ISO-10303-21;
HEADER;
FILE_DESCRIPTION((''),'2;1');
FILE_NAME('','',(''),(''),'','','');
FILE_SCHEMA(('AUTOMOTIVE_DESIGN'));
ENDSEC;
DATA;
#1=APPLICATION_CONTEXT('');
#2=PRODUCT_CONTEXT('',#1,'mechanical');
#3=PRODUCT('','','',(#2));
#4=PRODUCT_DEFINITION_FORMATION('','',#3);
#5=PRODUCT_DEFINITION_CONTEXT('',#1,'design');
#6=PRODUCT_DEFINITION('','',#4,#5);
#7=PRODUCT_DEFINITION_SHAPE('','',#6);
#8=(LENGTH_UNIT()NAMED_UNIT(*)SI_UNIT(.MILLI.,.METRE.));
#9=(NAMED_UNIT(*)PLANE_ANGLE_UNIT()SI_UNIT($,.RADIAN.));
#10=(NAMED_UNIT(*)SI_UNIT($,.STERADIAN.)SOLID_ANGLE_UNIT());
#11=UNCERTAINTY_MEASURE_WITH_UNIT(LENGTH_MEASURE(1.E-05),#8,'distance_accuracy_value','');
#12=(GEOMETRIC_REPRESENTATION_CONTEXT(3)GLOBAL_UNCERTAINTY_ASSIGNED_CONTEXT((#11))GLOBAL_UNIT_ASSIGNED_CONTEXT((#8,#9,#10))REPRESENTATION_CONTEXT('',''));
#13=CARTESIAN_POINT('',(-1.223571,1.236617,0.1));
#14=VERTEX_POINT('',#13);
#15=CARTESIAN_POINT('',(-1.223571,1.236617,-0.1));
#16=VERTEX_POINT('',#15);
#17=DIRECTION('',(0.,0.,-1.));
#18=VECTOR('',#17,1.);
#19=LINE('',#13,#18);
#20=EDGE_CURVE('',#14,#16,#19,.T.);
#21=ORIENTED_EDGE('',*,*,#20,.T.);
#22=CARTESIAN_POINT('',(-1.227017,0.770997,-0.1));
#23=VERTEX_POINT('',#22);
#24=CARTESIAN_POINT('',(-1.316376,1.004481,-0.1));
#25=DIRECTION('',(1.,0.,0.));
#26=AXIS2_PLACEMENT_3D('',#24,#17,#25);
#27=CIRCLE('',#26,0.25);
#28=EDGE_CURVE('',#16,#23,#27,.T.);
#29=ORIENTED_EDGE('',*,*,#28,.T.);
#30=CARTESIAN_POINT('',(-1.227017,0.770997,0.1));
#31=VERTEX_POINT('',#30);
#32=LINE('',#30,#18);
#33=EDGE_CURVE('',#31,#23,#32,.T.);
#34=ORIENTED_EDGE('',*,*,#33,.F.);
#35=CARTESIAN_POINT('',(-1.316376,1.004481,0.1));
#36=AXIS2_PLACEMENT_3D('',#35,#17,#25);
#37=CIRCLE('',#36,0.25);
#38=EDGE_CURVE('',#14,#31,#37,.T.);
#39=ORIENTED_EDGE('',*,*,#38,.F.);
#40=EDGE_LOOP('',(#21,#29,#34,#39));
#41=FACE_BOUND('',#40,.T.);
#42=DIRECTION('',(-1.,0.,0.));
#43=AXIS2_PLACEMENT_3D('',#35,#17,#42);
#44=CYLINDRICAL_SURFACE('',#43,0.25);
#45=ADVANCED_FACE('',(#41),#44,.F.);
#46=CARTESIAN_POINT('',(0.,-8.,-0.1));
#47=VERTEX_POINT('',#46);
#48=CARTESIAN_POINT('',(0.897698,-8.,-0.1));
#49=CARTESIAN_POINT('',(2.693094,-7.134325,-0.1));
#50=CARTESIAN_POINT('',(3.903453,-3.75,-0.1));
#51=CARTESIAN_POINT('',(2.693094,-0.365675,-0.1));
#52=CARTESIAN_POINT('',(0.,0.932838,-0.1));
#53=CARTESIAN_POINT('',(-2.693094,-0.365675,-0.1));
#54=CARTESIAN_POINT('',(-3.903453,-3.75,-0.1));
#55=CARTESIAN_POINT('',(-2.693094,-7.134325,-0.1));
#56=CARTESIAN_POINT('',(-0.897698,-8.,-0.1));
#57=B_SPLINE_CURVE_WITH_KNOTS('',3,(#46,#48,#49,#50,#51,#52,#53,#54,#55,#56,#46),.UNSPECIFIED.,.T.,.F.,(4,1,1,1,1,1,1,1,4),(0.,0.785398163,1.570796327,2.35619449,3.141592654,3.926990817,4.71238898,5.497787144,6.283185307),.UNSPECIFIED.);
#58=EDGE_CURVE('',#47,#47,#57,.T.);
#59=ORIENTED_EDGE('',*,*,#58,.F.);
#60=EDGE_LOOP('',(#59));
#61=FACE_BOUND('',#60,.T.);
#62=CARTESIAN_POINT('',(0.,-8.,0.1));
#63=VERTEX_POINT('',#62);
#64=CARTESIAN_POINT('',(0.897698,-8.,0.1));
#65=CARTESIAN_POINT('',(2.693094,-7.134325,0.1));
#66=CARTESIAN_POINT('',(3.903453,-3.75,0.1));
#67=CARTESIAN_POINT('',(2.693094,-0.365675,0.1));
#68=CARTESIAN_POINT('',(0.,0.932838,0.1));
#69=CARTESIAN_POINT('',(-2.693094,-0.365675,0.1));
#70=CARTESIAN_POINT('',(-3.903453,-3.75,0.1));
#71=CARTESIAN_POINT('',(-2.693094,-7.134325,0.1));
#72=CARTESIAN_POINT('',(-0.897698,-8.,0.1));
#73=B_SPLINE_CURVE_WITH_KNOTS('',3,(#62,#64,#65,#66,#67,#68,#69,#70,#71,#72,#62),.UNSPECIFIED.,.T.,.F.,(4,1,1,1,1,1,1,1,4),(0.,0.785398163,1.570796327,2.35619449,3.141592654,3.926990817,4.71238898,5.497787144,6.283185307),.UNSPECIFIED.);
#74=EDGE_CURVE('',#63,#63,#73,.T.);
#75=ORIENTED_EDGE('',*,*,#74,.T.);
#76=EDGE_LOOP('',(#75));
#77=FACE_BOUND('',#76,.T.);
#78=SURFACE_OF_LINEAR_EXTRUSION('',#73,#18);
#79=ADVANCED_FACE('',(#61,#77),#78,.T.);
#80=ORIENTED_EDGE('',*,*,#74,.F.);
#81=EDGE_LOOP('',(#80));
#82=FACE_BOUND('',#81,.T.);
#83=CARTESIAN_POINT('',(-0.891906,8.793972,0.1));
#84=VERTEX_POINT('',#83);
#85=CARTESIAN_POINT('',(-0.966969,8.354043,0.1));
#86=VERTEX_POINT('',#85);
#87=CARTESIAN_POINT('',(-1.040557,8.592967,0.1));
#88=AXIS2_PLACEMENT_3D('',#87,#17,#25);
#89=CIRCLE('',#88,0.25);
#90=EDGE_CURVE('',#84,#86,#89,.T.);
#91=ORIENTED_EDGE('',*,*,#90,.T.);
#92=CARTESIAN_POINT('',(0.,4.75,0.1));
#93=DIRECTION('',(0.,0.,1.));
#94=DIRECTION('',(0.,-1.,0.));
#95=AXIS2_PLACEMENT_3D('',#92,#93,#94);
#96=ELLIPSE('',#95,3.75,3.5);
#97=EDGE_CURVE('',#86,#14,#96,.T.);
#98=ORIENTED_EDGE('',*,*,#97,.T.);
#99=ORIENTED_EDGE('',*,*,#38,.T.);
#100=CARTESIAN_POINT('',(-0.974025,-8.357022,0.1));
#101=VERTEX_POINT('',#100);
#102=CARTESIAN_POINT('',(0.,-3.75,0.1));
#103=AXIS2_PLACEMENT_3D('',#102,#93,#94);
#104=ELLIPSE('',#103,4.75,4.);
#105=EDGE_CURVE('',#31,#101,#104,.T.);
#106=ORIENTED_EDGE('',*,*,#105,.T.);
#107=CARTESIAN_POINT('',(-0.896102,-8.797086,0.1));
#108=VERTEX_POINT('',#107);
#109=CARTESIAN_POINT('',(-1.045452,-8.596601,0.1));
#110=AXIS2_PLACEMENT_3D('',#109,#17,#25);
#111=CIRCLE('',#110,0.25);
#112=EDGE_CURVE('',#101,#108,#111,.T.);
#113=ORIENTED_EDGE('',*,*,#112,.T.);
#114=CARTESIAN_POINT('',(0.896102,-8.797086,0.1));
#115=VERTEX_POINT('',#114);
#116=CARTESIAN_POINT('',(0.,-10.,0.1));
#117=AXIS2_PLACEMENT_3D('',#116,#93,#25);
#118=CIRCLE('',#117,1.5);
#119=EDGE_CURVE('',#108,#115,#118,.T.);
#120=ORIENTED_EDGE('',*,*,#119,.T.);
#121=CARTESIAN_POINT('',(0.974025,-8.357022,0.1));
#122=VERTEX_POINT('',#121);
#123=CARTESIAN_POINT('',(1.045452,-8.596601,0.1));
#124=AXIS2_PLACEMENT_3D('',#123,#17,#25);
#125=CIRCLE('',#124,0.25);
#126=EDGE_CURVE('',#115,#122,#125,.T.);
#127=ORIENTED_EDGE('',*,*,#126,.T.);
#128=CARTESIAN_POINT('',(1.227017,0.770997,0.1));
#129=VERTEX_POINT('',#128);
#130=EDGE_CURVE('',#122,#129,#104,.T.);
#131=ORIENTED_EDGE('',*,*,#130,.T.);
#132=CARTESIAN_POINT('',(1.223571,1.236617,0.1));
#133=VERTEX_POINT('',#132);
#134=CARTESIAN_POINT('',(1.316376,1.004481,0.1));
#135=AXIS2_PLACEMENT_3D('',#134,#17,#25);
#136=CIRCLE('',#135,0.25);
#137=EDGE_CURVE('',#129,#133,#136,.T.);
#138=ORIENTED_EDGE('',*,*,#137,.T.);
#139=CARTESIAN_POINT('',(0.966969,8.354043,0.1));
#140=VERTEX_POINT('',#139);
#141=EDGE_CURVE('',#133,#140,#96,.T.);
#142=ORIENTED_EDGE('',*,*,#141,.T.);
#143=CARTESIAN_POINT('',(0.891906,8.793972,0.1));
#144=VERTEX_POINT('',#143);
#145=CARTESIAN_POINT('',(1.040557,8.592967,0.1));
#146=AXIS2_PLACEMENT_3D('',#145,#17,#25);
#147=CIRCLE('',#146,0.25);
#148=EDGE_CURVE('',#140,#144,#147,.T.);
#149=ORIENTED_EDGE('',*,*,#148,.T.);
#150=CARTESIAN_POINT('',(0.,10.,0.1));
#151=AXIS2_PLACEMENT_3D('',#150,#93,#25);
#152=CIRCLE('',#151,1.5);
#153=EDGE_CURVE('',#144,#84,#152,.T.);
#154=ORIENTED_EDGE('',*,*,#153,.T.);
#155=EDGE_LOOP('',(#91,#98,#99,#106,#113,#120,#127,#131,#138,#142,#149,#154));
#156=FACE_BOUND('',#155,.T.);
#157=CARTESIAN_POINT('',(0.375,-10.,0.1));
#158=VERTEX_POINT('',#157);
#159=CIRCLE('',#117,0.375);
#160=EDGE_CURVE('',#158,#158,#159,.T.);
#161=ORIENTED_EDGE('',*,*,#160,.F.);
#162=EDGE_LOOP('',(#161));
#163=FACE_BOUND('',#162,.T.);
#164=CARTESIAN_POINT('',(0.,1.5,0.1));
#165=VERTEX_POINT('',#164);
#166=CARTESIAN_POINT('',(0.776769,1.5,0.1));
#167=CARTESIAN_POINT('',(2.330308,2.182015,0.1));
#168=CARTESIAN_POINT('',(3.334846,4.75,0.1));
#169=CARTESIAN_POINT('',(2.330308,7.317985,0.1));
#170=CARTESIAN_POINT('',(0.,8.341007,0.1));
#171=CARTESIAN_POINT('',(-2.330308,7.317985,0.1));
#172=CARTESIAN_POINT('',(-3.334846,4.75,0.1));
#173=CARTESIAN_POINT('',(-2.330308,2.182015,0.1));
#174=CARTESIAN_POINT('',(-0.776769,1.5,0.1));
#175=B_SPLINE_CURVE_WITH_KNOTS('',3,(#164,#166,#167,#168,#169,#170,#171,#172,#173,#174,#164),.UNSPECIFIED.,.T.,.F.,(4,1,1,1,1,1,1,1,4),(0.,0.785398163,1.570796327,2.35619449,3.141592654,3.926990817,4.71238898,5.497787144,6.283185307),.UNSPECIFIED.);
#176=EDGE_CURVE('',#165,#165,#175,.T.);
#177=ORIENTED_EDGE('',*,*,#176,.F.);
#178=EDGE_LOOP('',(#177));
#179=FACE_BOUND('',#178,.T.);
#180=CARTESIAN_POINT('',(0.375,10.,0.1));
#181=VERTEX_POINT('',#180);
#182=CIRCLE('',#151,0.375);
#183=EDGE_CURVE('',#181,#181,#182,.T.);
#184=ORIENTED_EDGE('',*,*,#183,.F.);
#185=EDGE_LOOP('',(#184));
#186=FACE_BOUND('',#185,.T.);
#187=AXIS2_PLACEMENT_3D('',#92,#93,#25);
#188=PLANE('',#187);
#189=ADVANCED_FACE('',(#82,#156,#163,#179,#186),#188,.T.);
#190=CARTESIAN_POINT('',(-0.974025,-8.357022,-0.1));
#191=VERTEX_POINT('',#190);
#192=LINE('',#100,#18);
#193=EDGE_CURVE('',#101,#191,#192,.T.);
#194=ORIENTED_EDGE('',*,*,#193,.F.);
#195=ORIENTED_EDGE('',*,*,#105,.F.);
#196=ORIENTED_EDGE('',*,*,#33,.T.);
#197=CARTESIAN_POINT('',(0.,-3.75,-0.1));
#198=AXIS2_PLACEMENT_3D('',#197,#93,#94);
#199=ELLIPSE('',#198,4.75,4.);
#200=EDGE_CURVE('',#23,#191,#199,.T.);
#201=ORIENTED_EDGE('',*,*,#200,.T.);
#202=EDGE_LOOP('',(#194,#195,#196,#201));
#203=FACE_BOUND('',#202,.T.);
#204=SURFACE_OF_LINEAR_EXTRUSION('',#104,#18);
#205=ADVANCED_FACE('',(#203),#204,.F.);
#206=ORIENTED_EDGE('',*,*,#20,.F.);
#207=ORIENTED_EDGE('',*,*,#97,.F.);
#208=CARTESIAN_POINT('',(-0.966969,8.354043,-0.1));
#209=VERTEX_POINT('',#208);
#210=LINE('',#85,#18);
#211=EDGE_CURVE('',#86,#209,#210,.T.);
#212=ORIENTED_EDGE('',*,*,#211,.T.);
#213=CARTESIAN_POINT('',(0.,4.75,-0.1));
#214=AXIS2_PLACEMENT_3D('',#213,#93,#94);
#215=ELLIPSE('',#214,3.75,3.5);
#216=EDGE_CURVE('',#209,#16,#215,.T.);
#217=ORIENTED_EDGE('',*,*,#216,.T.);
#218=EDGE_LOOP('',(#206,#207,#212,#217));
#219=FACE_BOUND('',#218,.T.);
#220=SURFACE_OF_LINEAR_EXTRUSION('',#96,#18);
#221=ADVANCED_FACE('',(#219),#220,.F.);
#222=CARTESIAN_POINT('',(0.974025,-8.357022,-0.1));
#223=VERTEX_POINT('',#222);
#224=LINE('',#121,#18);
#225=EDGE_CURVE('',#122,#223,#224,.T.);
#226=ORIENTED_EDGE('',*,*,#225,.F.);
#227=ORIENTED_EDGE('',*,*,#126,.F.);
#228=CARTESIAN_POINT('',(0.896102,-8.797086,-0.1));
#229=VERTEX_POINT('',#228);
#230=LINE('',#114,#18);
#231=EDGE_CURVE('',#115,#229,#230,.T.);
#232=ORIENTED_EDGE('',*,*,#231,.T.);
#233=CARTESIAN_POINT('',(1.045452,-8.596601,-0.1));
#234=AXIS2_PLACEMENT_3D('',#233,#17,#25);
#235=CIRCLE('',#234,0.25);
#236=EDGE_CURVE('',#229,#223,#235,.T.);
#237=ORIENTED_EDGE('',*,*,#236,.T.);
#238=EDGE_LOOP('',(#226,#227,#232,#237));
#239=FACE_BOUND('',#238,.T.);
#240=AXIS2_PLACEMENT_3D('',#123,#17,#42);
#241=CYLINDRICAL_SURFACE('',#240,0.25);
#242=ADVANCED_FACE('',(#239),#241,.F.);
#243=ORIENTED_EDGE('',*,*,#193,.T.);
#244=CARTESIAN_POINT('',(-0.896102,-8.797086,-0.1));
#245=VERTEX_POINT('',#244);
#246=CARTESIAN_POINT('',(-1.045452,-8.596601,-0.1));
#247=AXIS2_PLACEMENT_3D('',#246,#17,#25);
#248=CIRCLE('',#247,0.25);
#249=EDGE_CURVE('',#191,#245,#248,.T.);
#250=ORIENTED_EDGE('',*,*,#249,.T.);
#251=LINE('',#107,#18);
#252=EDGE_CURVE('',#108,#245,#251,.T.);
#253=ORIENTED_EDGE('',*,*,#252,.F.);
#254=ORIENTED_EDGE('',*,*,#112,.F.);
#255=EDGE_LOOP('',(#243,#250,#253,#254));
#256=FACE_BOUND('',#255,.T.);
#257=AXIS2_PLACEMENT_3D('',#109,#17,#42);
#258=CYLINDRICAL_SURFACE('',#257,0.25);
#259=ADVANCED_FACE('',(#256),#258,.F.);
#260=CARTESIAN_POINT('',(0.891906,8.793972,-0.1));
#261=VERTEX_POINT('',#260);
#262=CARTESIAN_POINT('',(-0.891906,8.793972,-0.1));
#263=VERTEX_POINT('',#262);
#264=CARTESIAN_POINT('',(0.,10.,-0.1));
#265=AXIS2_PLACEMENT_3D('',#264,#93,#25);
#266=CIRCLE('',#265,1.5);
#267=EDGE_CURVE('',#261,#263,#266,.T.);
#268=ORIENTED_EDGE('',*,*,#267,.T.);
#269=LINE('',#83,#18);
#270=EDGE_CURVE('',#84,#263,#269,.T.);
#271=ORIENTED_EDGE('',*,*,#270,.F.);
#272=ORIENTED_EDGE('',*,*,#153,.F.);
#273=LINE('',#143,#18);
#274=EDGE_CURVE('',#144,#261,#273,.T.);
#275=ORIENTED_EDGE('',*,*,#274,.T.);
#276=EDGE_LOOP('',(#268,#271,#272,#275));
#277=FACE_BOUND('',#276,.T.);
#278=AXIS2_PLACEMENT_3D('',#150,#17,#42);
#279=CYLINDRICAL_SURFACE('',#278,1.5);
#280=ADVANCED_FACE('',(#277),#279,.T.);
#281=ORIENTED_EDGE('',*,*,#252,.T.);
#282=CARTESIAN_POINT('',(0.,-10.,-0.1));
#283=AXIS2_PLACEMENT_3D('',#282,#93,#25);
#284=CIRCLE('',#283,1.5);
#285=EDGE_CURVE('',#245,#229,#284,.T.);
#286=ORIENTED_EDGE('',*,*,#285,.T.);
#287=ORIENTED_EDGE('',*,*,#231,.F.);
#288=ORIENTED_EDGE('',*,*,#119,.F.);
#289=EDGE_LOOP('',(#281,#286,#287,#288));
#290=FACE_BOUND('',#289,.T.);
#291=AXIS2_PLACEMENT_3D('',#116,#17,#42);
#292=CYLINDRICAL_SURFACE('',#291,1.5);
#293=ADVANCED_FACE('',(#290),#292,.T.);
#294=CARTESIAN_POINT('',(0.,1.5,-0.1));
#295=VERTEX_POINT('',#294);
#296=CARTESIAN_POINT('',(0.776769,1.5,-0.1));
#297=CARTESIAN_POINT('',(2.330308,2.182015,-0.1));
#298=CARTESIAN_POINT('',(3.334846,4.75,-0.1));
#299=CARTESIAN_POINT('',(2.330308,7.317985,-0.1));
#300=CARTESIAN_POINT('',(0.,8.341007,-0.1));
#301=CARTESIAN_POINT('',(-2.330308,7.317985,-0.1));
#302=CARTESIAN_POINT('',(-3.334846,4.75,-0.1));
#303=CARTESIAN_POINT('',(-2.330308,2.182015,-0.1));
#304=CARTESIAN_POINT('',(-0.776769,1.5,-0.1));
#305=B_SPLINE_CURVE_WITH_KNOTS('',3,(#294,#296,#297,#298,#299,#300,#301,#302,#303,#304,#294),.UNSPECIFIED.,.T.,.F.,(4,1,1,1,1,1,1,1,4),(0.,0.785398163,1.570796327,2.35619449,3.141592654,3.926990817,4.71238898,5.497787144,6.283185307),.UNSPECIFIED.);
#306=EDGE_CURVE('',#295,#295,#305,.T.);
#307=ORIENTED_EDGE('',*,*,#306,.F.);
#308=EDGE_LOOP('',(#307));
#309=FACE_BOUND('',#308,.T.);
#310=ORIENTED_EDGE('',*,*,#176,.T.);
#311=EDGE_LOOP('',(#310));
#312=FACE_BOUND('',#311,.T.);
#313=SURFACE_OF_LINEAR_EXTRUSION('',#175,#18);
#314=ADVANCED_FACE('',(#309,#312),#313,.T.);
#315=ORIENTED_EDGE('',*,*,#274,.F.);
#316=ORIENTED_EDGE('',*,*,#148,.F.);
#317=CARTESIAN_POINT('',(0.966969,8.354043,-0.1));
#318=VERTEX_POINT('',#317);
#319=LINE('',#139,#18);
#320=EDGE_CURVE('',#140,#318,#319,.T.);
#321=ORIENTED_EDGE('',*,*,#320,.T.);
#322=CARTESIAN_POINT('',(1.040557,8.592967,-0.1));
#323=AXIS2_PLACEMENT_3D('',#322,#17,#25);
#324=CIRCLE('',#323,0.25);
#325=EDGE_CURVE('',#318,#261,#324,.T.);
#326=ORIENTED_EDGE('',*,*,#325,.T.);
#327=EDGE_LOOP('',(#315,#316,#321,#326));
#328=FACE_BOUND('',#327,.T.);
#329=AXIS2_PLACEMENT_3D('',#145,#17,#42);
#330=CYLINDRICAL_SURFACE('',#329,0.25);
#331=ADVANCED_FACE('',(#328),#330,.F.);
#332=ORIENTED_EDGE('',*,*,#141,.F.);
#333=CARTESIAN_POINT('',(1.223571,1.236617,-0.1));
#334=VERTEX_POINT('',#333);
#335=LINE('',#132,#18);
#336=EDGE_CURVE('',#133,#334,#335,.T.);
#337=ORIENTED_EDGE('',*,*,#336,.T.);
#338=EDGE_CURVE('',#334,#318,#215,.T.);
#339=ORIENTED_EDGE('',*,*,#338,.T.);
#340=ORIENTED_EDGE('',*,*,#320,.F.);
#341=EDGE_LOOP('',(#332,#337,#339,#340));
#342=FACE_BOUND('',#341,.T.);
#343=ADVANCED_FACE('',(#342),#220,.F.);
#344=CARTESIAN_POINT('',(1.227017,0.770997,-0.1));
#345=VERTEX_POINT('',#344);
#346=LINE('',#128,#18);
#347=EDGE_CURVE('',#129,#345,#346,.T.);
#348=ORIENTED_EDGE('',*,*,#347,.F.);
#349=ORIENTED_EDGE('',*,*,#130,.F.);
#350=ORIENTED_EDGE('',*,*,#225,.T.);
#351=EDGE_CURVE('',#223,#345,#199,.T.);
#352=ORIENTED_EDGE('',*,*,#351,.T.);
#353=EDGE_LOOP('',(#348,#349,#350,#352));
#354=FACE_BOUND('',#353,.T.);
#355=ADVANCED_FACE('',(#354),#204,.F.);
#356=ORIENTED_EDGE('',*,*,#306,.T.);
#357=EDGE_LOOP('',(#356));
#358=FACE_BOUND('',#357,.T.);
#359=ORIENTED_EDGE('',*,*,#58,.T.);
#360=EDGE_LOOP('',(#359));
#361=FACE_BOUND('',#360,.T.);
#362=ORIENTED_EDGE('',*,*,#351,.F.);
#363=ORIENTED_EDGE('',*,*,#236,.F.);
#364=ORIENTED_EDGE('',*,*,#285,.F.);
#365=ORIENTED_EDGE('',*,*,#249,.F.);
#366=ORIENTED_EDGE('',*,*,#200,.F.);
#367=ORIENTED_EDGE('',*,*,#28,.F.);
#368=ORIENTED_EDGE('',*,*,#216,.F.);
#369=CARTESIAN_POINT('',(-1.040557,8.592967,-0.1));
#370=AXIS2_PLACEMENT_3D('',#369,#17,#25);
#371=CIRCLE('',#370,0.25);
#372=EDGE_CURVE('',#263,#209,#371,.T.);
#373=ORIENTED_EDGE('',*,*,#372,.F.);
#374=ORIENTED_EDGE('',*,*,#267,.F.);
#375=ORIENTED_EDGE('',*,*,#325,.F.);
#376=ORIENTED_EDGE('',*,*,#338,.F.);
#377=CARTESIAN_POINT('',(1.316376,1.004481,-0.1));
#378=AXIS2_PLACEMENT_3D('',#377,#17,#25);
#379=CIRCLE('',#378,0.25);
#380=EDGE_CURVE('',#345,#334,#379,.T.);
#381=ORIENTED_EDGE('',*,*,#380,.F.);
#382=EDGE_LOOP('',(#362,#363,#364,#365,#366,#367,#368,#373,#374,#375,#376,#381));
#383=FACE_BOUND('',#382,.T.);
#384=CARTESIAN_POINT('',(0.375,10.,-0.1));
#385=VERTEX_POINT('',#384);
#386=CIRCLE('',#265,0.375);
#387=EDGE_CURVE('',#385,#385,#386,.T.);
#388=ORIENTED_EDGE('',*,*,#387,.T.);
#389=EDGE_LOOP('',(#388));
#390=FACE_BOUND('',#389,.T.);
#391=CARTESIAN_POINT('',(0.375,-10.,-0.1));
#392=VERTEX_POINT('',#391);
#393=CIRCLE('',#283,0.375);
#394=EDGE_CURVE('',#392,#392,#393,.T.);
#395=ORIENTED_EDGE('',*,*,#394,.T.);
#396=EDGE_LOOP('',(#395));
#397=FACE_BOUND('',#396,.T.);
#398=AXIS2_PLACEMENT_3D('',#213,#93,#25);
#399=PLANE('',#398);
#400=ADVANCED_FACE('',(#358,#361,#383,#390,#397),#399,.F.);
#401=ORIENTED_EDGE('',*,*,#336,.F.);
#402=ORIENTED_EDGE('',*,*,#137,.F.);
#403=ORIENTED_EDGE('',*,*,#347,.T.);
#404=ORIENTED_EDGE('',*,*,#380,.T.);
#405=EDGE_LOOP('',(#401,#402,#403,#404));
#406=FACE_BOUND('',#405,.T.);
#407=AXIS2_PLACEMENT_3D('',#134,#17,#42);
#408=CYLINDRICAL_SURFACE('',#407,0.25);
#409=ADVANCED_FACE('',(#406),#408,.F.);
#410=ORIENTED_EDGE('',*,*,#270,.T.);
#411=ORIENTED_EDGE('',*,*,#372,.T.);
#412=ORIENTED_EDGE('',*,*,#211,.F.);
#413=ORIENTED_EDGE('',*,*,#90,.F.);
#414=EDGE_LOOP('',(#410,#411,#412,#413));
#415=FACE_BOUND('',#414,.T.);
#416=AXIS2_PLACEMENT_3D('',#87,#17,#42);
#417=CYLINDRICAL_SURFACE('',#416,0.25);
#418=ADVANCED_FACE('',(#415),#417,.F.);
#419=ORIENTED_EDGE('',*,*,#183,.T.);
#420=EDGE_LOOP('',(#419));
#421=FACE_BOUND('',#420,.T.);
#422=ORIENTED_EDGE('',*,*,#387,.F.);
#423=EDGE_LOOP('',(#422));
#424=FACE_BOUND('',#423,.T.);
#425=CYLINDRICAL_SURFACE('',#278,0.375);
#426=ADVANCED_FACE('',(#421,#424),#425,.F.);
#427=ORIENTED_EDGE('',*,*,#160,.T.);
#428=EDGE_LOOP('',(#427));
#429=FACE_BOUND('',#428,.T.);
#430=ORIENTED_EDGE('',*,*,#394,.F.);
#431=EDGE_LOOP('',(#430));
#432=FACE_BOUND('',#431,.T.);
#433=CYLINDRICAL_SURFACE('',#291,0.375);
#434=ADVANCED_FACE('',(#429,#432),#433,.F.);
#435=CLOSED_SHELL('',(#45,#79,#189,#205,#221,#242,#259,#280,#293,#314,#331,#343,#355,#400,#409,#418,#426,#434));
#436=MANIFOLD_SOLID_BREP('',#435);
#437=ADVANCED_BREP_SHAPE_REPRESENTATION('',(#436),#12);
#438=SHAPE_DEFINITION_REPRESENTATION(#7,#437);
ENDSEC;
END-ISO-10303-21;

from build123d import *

# Parameters (mm, degrees)
SKETCH1_R           = 0.375
BOSS_EXTRUDE1_DEPTH = 0.1


with BuildPart() as part:
    # Sketch1 → Boss-Extrude1 (new, symmetric)
    with BuildSketch(Plane.XY):
        with BuildLine():
            ThreePointArc((0.891905879, 8.793971848), (0, 11.5), (-0.891905879, 8.793971848))
            ThreePointArc((-0.891905879, 8.793971848), (-0.794118372, 8.550918705), (-0.966968535, 8.354042987))
            add(Edge.make_bspline(
                [(-0.966968535, 8.354042987), (-11.16779536, 5.212201996), (-1.223571036, 1.236616962)],
                knots=[0.279917878, 0.279917878, 0.279917878, 2.784457357, 2.784457357, 2.784457357], degree=2, weights=[1, 0.313167604, 1]))
            ThreePointArc((-1.223571036, 1.236616962), (-1.066383194, 1.002630817), (-1.227016785, 0.770996659))
            add(Edge.make_bspline(
                [(-1.227016785, 0.770996659), (-14.522838837, -4.317608433), (-0.974024897, -8.357021838)],
                knots=[3.453373589, 3.453373589, 3.453373589, 6.037206048, 6.037206048, 6.037206048], degree=2, weights=[1, 0.275279187, 1]))
            ThreePointArc((-0.974024897, -8.357021838), (-0.799281912, -8.553011125), (-0.896102103, -8.797086445))
            ThreePointArc((-0.896102103, -8.797086445), (0, -11.5), (0.896102103, -8.797086445))
            ThreePointArc((0.896102103, -8.797086445), (0.799281912, -8.553011125), (0.974024897, -8.357021838))
            add(Edge.make_bspline(
                [(0.974024897, -8.357021838), (14.522838837, -4.317608433), (1.227016785, 0.770996659)],
                knots=[0.245979259, 0.245979259, 0.245979259, 2.829811718, 2.829811718, 2.829811718], degree=2, weights=[1, 0.275279187, 1]))
            ThreePointArc((1.227016785, 0.770996659), (1.066383194, 1.002630817), (1.223571036, 1.236616962))
            add(Edge.make_bspline(
                [(1.223571036, 1.236616962), (11.16779536, 5.212201996), (0.966968535, 8.354042987)],
                knots=[3.49872795, 3.49872795, 3.49872795, 6.003267429, 6.003267429, 6.003267429], degree=2, weights=[1, 0.313167604, 1]))
            ThreePointArc((0.966968535, 8.354042987), (0.794118372, 8.550918705), (0.891905879, 8.793971848))
        make_face()
        with Locations((0, 10)):
            Circle(SKETCH1_R, mode=Mode.SUBTRACT)
        with Locations((0, -10)):
            Circle(SKETCH1_R, mode=Mode.SUBTRACT)
        with BuildLine():
            add(Edge.make_bspline(
                [(0, 1.5), (0.7767692, 1.5), (2.3303076, 2.182014907), (3.3348462, 4.75), (2.3303076, 7.317985093), (0, 8.341007453), (-2.3303076, 7.317985093), (-3.3348462, 4.75), (-2.3303076, 2.182014907), (-0.7767692, 1.5), (0, 1.5)],
                knots=[0, 0, 0, 0, 0.785398163, 1.570796327, 2.35619449, 3.141592654, 3.926990817, 4.71238898, 5.497787144, 6.283185307, 6.283185307, 6.283185307, 6.283185307], degree=3))
        make_face(mode=Mode.SUBTRACT)
        with BuildLine():
            add(Edge.make_bspline(
                [(0, -8), (0.897698015, -8), (2.693094044, -7.134324579), (3.903452978, -3.75), (2.693094044, -0.365675421), (0, 0.932837711), (-2.693094044, -0.365675421), (-3.903452978, -3.75), (-2.693094044, -7.134324579), (-0.897698015, -8), (0, -8)],
                knots=[0, 0, 0, 0, 0.785398163, 1.570796327, 2.35619449, 3.141592654, 3.926990817, 4.71238898, 5.497787144, 6.283185307, 6.283185307, 6.283185307, 6.283185307], degree=3))
        make_face(mode=Mode.SUBTRACT)
    extrude(amount=BOSS_EXTRUDE1_DEPTH, both=True)


solid = part.part
